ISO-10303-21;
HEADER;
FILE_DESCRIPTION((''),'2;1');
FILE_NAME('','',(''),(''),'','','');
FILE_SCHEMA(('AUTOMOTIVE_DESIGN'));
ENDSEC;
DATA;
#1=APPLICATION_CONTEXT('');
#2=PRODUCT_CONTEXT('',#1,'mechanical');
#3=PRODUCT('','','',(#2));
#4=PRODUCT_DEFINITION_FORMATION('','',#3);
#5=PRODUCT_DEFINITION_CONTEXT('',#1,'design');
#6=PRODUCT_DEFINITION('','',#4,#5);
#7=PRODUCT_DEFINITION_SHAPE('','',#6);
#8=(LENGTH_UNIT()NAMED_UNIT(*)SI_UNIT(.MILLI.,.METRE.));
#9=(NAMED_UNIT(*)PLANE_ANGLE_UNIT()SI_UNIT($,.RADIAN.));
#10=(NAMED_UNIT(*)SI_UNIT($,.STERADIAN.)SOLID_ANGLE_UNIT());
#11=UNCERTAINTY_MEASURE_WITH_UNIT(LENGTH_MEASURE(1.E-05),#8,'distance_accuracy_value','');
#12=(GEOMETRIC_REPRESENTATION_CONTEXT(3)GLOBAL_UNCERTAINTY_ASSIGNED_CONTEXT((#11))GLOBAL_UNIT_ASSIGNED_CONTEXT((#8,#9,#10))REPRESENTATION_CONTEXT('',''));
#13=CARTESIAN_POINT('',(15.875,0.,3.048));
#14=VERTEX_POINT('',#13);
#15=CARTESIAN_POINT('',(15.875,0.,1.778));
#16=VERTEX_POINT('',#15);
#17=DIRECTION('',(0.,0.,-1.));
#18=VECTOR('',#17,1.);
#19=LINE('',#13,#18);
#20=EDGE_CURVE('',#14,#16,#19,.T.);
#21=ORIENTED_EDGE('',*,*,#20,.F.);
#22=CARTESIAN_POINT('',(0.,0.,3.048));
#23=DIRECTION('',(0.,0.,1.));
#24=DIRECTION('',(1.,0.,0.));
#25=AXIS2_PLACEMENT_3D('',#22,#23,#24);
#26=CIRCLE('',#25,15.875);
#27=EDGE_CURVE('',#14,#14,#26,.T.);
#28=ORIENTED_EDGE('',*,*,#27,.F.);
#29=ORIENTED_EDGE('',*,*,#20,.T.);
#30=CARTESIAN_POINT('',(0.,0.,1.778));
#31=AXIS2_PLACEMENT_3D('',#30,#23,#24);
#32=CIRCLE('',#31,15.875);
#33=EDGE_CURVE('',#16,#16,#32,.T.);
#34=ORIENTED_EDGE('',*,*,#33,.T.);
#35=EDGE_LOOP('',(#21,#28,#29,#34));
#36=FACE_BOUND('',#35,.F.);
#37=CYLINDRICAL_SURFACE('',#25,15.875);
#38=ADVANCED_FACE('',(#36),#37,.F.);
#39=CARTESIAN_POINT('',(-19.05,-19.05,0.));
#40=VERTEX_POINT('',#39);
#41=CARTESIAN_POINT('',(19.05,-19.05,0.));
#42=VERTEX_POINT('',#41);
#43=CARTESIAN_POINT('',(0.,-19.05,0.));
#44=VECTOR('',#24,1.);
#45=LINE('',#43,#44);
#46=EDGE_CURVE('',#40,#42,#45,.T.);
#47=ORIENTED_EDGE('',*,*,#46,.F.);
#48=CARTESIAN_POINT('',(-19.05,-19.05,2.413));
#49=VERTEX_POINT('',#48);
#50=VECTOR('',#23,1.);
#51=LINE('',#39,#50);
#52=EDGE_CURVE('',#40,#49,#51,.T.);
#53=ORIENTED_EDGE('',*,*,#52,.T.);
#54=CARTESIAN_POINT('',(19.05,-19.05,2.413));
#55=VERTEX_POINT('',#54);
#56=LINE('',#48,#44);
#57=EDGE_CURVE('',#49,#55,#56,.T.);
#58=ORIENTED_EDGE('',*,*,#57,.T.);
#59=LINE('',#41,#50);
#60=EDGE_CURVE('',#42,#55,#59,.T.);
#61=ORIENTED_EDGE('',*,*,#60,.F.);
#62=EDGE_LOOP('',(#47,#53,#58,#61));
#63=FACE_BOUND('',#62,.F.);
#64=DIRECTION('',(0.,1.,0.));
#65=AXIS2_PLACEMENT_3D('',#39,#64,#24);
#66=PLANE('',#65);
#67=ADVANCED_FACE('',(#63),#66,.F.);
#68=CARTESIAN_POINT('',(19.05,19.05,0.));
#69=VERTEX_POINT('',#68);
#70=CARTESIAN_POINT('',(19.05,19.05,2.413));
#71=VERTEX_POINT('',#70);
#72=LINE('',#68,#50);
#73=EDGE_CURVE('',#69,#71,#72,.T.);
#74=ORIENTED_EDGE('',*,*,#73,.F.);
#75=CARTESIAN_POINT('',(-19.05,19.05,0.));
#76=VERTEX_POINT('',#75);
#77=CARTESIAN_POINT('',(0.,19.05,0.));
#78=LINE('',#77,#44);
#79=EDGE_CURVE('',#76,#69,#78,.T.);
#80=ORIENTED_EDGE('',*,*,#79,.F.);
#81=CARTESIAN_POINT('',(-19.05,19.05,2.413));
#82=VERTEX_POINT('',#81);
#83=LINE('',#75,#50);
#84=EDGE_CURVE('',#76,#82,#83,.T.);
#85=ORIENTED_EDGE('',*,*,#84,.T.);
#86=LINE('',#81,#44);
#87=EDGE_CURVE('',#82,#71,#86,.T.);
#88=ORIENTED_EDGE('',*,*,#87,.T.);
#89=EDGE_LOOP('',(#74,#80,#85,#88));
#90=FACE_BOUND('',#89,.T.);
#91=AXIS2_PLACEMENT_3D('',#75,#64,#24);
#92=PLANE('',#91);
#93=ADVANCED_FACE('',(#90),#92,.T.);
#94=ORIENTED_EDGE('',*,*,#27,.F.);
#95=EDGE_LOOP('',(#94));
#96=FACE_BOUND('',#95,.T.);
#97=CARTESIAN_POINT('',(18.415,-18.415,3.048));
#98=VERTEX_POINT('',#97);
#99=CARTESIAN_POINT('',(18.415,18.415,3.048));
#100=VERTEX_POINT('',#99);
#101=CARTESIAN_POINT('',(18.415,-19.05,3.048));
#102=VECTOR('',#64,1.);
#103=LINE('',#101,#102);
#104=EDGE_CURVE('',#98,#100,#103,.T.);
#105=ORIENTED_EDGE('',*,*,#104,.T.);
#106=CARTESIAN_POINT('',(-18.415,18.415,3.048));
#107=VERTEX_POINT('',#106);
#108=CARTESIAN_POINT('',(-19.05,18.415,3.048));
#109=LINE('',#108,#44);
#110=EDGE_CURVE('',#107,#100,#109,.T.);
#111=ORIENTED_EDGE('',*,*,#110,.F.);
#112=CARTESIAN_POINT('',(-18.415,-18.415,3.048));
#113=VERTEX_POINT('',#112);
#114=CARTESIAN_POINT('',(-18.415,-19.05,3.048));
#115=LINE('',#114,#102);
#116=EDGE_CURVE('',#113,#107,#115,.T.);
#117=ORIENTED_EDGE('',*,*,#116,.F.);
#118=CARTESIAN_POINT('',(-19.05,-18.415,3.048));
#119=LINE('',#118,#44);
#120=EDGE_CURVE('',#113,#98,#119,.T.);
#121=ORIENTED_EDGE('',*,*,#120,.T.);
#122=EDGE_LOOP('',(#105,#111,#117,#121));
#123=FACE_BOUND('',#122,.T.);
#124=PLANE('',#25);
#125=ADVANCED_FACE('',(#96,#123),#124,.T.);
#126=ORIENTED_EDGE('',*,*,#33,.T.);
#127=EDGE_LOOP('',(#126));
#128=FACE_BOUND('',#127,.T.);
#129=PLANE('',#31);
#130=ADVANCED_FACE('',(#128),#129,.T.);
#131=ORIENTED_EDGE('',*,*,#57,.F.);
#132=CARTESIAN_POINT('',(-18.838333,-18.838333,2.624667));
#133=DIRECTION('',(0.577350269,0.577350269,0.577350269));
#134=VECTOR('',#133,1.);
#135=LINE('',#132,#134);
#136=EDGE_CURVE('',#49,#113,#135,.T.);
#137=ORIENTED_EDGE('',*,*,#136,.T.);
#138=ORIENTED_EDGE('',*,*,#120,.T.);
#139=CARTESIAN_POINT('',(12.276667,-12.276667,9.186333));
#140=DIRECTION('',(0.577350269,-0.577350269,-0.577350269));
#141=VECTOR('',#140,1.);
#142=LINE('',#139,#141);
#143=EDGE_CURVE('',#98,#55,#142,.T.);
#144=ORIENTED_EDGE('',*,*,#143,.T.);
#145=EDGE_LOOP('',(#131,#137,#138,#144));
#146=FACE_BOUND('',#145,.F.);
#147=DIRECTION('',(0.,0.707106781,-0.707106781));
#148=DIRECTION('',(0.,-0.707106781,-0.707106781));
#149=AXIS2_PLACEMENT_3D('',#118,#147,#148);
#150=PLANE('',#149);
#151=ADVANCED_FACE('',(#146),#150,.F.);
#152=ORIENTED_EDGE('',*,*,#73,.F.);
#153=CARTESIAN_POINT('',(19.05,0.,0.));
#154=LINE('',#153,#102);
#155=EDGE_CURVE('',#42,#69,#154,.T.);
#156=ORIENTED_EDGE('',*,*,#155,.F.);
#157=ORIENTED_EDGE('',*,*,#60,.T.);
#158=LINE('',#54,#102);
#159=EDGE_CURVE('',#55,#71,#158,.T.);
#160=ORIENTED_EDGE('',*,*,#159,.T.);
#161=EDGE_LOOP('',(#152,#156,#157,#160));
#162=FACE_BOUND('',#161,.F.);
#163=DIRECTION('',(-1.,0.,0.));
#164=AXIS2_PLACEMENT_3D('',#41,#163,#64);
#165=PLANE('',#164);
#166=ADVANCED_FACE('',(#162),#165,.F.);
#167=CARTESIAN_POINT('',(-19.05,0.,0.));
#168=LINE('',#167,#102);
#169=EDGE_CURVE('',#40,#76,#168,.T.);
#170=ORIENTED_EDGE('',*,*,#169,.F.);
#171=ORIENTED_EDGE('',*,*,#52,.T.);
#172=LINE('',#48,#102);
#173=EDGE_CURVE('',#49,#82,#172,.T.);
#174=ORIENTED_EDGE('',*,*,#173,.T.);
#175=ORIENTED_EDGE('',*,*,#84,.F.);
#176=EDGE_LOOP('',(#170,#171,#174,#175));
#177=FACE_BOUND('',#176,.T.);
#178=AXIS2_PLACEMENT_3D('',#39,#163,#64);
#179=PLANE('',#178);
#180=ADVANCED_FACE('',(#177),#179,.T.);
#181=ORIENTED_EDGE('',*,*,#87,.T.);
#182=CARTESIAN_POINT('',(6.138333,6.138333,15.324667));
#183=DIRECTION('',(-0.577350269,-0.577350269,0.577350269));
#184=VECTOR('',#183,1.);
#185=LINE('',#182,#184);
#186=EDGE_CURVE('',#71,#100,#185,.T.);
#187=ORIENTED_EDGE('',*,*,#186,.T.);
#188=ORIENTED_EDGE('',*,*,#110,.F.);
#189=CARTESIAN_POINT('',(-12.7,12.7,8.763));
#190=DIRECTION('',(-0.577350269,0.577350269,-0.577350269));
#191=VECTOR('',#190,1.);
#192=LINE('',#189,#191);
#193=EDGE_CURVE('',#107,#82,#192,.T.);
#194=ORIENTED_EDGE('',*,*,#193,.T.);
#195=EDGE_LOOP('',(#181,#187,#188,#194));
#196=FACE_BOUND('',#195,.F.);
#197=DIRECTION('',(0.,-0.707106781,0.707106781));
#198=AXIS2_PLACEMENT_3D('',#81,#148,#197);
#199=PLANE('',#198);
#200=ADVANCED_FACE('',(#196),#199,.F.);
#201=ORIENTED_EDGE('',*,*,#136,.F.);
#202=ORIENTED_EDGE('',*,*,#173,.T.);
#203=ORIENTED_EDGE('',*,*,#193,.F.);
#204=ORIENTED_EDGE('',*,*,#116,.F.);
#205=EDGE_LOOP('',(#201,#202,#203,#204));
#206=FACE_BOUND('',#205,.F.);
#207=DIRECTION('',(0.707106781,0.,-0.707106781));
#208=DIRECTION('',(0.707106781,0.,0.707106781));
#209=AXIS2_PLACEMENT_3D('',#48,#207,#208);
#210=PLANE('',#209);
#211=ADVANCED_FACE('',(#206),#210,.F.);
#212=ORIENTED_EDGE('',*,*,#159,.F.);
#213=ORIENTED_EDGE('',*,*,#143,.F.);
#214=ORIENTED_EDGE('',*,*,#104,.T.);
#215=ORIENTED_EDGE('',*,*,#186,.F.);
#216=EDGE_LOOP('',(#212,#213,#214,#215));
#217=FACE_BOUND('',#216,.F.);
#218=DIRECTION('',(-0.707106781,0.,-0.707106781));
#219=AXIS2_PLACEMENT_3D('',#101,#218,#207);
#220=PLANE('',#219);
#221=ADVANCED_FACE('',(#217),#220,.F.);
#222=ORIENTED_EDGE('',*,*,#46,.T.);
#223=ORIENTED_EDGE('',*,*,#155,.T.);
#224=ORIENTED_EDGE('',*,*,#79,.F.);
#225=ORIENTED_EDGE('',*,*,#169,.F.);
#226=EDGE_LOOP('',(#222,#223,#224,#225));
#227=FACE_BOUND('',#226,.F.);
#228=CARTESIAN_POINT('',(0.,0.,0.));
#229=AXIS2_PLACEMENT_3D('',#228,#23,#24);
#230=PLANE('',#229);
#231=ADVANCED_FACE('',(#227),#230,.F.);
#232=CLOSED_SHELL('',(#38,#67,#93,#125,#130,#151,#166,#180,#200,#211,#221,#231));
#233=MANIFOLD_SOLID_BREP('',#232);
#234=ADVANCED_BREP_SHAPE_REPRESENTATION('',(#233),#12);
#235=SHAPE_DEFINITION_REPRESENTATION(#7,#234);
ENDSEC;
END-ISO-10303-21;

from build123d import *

# Parameters (mm, degrees)
F0_W     = 38.1
F0_H     = 38.1
F1_DEPTH = 3.048
F2_R     = 15.875
F3_DEPTH = 1.27
F5_DEPTH = 38.101
F7_DEPTH = 38.101


with BuildPart() as f1:
    # F0 (on Top) → F1 (new body)
    with BuildSketch(Plane.XY):
        Rectangle(F0_W, F0_H)
    extrude(amount=F1_DEPTH)

    # F2 (on face) → F3 (cut)
    with BuildSketch(Plane.XY.offset(3.048)):
        Circle(F2_R)
    extrude(amount=-F3_DEPTH, mode=Mode.SUBTRACT)

    # F4 (on face) → F5 (cut, through all)
    with BuildSketch(Plane.XZ.offset(19.05)):
        Polygon((-18.415, 3.048), (-19.05, 3.048), (-19.05, 2.413), align=None)
        Polygon((19.05, 3.048), (18.415, 3.048), (19.05, 2.413), align=None)
    extrude(amount=-F5_DEPTH, mode=Mode.SUBTRACT)

    # F6 (on face) → F7 (cut, through all)
    with BuildSketch(Plane(origin=(-19.05, 0, 0), x_dir=(0, -1, 0), z_dir=(-1, 0, 0))):
        Polygon((-18.415, 3.048), (-19.05, 3.048), (-19.05, 2.413), align=None)
        Polygon((18.415, 3.048), (19.05, 2.413), (19.05, 3.048), align=None)
    extrude(amount=-F7_DEPTH, mode=Mode.SUBTRACT)


solid = f1.part
